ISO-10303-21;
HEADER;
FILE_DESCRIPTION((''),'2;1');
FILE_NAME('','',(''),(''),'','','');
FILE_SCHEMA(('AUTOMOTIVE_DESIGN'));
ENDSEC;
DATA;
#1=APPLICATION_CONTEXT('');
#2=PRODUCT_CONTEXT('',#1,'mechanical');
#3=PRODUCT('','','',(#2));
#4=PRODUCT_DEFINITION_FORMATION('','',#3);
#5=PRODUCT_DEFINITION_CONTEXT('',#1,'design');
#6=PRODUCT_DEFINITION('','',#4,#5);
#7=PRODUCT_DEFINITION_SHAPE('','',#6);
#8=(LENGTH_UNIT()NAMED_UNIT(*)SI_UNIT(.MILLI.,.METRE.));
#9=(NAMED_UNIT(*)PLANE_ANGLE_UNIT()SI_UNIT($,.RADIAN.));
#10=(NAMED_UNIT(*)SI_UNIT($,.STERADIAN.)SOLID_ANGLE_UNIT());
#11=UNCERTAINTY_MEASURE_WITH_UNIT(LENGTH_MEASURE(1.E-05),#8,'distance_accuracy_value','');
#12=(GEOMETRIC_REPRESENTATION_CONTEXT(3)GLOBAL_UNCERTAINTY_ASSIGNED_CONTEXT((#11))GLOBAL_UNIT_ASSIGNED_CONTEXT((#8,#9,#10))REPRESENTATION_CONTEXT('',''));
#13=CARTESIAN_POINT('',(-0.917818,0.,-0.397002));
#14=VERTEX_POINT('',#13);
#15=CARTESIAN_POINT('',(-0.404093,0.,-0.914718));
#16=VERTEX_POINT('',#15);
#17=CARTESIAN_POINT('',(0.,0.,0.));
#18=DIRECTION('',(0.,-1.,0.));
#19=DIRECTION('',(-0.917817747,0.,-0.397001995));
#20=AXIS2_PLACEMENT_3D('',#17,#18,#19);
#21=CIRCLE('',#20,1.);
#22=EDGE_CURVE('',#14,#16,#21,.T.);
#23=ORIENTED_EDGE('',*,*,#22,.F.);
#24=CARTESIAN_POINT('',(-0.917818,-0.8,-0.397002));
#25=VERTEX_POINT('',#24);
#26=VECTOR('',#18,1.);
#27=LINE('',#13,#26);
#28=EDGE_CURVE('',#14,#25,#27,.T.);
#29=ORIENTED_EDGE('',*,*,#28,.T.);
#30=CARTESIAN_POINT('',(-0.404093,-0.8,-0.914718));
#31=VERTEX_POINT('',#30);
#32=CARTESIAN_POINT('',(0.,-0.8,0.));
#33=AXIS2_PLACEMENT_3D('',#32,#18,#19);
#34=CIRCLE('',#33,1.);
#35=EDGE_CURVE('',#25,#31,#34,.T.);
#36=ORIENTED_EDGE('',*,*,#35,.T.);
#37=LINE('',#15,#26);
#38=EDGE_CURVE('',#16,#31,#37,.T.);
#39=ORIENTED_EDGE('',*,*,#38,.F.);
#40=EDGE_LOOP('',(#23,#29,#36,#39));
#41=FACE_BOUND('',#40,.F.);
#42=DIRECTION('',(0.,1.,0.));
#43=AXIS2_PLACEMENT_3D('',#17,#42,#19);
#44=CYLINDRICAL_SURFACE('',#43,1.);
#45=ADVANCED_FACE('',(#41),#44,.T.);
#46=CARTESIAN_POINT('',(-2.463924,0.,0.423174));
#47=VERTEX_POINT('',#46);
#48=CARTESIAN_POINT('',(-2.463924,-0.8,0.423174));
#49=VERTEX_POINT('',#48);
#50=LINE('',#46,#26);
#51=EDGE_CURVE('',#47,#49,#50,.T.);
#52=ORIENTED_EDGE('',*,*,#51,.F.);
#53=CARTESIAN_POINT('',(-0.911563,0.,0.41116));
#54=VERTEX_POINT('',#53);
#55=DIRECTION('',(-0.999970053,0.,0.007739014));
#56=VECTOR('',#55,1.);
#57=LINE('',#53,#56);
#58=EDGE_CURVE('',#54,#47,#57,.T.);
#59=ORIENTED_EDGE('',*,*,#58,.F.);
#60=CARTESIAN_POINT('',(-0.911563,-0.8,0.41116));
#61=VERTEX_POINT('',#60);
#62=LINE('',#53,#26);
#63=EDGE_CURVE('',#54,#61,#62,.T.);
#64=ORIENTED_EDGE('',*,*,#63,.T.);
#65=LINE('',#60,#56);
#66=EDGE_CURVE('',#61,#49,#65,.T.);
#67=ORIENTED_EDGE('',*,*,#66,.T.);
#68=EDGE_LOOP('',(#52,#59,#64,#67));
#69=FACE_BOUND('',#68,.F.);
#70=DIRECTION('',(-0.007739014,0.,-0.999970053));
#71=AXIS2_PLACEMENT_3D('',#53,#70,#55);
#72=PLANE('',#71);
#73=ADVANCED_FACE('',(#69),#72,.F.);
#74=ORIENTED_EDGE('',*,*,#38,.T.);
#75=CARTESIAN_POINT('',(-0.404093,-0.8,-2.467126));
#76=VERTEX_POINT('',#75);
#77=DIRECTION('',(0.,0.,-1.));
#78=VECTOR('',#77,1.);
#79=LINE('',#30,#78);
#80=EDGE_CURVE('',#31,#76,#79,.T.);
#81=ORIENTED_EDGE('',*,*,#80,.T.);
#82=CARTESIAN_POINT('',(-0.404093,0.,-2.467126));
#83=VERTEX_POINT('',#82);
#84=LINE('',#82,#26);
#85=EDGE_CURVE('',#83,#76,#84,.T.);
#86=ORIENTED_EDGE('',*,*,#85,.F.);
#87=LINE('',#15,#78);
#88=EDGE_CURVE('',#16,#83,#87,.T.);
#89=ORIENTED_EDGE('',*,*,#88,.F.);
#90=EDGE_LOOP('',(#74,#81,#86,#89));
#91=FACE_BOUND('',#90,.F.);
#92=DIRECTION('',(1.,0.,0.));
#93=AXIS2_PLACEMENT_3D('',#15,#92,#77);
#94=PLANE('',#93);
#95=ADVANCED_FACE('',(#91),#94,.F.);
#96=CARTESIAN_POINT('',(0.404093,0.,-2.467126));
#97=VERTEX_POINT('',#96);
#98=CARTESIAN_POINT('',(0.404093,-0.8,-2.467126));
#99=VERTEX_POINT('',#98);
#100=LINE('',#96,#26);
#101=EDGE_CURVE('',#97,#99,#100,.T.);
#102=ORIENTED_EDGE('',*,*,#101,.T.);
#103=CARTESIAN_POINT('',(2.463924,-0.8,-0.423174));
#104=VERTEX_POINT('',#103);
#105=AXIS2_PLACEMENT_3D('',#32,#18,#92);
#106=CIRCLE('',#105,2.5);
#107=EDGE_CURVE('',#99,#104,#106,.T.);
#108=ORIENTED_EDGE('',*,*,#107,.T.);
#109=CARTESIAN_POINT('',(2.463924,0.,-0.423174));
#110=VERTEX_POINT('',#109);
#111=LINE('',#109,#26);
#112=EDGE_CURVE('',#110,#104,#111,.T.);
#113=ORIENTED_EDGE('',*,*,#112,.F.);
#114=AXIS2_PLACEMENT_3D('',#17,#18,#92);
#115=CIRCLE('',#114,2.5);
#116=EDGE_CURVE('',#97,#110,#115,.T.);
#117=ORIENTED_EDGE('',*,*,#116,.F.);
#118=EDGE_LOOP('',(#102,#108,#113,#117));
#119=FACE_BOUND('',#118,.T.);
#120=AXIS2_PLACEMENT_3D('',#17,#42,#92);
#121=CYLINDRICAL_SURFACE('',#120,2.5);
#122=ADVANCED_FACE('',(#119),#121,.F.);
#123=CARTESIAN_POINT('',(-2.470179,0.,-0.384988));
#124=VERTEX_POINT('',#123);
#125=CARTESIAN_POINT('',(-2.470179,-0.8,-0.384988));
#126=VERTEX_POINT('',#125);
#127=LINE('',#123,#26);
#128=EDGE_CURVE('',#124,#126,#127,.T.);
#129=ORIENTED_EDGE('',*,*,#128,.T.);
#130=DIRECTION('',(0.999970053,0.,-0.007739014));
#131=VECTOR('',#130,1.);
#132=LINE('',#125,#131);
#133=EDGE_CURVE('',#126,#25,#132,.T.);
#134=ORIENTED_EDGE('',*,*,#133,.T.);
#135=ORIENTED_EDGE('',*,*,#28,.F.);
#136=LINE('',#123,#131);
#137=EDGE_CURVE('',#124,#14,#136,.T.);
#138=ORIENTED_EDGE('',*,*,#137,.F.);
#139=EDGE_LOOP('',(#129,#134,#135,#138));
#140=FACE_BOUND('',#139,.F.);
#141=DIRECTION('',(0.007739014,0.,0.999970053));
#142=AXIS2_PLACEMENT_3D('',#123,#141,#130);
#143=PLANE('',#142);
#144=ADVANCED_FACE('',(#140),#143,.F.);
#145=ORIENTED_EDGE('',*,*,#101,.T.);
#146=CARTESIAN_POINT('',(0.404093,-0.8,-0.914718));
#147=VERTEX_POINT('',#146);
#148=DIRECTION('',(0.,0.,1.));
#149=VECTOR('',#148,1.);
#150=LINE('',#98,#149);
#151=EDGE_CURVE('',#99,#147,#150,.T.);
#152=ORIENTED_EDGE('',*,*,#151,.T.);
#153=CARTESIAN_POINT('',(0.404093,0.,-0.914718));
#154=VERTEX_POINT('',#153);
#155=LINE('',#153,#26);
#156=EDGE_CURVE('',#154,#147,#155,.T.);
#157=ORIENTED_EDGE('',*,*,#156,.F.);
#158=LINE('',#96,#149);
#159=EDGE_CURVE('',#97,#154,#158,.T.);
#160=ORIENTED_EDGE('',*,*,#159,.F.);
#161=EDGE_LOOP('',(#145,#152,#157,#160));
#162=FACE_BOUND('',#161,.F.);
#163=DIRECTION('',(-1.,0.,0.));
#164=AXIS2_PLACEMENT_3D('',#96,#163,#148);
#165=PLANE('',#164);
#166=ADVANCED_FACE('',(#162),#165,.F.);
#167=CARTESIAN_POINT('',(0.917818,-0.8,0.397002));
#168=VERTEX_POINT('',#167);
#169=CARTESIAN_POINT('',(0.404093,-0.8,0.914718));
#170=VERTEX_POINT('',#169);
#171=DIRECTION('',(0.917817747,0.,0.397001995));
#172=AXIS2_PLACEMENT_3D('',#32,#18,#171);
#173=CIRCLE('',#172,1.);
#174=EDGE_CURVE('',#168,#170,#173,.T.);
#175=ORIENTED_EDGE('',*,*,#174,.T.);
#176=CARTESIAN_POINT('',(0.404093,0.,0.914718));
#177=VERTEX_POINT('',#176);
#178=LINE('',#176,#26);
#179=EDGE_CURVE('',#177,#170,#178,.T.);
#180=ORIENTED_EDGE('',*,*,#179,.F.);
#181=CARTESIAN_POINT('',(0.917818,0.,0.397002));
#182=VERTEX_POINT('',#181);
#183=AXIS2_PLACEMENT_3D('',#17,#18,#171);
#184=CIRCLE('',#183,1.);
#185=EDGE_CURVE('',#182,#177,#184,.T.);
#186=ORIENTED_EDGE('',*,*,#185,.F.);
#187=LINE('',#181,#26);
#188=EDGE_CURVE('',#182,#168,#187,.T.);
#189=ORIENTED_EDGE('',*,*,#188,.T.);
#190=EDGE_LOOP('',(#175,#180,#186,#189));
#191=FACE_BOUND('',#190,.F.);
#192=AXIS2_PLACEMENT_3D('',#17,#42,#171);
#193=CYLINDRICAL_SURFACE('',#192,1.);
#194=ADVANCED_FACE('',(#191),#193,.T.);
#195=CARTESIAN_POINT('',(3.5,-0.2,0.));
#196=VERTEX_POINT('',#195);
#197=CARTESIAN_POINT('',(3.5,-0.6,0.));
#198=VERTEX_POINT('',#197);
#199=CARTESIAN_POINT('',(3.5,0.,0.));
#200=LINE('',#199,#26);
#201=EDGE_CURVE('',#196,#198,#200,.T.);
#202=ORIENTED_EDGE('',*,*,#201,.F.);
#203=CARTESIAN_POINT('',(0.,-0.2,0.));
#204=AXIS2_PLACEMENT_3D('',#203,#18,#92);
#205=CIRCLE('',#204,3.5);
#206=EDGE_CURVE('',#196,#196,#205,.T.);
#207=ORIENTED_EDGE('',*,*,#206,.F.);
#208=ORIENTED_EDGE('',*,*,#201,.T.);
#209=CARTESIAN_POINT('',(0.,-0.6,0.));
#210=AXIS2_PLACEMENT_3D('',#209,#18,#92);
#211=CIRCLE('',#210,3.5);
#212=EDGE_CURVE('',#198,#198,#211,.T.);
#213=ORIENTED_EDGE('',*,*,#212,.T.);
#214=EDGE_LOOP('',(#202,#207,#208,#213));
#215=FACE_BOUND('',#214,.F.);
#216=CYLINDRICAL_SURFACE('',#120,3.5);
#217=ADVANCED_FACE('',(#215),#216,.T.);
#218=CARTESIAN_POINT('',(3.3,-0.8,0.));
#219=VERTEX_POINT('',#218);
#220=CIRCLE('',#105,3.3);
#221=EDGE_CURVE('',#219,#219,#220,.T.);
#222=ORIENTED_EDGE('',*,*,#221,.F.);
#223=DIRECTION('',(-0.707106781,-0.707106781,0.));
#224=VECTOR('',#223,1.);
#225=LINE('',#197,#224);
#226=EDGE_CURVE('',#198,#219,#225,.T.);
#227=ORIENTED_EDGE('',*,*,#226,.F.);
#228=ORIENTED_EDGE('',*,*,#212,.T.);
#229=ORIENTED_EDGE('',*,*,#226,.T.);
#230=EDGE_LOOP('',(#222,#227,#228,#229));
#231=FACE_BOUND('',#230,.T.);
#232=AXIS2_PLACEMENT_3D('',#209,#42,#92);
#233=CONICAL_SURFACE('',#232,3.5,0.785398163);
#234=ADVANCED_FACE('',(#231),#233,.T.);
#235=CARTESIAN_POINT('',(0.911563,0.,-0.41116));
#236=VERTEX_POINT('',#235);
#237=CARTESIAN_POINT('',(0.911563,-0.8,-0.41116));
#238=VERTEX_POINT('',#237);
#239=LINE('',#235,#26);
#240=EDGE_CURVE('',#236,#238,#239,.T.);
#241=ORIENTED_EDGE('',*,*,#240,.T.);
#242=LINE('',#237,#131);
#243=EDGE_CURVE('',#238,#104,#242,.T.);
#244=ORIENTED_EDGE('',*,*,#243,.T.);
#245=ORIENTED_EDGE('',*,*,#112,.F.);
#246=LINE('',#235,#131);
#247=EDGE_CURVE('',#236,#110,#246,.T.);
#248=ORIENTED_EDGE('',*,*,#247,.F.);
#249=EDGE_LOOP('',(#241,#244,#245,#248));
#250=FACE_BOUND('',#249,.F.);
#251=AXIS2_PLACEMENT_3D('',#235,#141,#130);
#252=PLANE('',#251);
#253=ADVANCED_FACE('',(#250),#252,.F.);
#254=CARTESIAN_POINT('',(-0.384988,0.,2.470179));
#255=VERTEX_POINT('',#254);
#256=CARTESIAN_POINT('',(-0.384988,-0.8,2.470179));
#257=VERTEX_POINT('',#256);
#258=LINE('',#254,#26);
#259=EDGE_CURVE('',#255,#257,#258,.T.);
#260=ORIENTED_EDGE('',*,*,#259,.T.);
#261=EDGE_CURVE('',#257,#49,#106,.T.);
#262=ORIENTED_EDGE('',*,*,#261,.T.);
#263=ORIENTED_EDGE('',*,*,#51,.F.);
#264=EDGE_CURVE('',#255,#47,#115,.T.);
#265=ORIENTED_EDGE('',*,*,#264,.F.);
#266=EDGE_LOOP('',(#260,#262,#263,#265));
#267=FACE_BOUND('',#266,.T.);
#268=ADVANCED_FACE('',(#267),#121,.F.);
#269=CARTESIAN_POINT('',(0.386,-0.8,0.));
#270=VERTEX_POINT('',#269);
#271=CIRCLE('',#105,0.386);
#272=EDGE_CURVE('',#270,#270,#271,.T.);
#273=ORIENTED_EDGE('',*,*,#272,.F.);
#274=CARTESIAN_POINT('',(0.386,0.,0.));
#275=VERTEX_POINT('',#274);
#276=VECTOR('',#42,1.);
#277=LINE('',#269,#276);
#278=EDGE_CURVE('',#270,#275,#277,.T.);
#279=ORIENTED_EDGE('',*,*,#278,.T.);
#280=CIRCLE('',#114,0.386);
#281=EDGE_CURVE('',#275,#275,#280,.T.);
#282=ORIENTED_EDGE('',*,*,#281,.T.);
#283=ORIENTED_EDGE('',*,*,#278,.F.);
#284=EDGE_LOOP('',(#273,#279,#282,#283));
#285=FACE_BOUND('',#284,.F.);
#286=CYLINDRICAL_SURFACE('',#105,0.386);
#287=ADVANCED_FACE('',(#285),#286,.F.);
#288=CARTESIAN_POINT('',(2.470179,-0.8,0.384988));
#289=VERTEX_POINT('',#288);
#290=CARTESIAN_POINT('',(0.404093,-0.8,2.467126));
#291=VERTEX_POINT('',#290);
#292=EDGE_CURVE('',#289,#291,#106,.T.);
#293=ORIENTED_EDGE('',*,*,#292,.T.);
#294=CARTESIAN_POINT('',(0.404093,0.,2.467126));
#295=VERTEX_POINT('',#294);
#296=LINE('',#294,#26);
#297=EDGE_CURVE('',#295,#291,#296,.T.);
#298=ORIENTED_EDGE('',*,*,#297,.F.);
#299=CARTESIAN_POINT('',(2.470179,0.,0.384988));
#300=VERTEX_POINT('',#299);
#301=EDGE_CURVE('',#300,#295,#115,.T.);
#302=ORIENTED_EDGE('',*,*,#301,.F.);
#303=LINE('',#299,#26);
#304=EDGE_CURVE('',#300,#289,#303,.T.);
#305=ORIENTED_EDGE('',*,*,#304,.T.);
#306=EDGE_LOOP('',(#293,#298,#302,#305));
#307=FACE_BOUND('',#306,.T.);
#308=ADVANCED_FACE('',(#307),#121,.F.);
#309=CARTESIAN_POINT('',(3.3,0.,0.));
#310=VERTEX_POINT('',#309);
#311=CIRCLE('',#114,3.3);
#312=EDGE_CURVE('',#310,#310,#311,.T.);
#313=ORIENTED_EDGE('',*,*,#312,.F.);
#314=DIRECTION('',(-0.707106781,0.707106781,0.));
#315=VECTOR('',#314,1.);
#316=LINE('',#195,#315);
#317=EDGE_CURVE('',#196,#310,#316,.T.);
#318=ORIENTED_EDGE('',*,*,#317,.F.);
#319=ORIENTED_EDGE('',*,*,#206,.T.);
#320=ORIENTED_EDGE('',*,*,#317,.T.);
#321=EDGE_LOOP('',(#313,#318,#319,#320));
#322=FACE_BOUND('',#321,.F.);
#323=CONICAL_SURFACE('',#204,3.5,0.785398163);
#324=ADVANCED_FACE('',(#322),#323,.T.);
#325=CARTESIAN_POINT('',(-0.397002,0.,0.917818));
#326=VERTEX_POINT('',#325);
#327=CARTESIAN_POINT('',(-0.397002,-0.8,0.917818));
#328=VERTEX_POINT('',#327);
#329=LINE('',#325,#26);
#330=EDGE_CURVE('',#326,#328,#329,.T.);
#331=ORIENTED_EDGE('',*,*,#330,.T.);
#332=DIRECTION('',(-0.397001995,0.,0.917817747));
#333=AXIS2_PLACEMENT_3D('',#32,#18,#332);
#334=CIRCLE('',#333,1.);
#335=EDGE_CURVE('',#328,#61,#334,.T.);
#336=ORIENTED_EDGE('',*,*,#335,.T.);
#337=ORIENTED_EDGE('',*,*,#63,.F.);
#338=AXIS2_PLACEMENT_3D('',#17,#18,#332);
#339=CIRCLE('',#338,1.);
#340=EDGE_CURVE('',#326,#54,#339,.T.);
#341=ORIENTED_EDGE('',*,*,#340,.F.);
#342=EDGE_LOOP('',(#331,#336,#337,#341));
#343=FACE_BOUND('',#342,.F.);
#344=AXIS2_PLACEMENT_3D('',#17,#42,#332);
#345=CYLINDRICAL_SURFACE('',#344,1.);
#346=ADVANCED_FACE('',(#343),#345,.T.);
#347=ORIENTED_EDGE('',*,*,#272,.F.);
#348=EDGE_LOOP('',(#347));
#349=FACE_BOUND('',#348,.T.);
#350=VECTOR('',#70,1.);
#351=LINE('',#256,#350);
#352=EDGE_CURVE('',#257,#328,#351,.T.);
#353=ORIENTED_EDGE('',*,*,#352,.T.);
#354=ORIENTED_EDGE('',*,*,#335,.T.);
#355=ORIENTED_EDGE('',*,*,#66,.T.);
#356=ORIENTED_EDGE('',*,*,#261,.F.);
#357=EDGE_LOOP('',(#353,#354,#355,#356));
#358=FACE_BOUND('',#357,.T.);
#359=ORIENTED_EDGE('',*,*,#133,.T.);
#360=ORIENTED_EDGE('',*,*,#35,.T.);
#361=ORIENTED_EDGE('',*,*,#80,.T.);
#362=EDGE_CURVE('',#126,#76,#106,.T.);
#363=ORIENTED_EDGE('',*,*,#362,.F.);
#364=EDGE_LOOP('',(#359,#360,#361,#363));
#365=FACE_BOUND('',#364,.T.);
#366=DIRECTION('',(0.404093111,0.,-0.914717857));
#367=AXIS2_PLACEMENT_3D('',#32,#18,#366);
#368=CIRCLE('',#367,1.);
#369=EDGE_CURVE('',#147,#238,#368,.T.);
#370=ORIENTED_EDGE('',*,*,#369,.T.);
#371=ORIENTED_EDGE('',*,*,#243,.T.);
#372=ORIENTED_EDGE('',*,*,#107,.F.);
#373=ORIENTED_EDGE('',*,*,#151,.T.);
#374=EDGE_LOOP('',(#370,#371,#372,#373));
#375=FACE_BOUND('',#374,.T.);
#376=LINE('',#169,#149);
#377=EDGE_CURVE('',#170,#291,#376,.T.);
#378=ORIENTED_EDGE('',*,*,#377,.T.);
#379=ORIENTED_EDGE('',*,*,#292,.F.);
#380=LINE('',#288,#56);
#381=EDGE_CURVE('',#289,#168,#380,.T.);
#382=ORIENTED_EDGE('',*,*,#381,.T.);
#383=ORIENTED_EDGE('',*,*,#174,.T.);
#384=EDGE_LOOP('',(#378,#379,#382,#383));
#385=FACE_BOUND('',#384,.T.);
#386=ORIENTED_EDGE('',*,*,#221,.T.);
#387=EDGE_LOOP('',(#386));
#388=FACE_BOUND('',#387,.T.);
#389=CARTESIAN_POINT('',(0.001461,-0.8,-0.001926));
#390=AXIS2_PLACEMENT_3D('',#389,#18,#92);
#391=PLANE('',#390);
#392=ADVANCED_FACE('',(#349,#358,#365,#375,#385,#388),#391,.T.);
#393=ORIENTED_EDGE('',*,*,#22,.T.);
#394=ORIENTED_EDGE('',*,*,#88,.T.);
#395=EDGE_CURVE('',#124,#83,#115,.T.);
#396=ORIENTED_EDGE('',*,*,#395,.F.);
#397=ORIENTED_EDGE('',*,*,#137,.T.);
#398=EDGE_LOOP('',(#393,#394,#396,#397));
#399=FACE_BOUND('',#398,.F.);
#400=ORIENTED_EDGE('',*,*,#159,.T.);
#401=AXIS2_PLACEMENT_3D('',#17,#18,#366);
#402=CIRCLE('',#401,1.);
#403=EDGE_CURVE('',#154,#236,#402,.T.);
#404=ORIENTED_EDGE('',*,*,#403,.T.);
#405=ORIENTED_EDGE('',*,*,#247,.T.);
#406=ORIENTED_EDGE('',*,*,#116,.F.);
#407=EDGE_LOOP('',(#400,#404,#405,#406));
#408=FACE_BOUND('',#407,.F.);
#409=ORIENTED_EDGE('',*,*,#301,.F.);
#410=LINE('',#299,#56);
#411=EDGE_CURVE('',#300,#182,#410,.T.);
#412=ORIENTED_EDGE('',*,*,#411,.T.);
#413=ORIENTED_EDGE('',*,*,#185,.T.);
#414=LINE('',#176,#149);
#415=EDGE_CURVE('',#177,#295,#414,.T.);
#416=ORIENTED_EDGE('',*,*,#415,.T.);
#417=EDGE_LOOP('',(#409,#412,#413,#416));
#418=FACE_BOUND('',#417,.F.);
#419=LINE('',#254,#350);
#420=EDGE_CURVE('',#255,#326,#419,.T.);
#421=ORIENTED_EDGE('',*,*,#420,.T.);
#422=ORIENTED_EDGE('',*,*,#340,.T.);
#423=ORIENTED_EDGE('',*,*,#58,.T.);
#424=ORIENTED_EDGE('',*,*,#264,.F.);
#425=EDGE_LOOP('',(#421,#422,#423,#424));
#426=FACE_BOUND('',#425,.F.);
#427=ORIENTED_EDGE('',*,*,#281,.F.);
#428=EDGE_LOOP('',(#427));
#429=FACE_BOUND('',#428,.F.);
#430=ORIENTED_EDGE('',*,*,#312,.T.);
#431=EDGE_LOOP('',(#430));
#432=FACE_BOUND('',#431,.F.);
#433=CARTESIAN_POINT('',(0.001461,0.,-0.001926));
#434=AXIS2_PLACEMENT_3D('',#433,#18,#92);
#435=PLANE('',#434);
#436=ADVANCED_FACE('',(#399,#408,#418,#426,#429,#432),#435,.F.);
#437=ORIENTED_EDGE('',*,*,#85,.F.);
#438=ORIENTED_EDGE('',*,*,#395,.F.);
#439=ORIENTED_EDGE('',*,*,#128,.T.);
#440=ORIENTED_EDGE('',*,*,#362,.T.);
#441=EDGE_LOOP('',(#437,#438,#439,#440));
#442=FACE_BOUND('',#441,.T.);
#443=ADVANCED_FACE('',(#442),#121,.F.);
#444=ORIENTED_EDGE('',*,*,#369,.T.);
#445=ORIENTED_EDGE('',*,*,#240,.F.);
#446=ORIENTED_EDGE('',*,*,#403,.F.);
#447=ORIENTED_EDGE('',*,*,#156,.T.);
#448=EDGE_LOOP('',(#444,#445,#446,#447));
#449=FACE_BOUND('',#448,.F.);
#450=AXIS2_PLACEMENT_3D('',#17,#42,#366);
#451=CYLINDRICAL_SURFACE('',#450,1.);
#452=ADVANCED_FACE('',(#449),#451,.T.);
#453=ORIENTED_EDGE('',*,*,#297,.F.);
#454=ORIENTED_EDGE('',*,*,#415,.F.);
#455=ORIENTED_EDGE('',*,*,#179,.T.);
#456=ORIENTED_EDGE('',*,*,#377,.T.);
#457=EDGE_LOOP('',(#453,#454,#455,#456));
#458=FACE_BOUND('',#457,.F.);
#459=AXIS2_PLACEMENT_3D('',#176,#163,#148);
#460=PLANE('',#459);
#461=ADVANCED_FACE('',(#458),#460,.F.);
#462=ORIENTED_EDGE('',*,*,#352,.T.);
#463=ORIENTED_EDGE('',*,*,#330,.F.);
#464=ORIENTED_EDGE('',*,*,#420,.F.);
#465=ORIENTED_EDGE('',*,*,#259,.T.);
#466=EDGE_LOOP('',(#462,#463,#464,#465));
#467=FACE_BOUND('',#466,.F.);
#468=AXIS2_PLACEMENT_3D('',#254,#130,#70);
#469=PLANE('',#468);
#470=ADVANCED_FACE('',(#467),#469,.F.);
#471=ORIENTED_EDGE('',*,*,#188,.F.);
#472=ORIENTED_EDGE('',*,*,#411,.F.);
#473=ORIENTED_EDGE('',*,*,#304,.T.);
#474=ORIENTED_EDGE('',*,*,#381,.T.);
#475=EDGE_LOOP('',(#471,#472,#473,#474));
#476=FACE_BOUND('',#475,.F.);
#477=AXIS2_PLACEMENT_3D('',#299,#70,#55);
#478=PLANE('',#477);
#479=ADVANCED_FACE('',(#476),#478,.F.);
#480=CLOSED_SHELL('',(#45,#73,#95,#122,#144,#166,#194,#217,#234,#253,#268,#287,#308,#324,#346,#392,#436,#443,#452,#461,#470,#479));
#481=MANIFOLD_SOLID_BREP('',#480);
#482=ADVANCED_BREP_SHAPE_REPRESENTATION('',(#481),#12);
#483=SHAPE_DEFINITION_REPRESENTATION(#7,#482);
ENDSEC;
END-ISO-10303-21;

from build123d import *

# Parameters (mm, degrees)
F0_R     = 3.5
F0_R_2   = 2.5
F1_DEPTH = 0.8
F2_SIZE  = 0.2
F4_DEPTH = 0.8
F6_R     = 0.386
F7_DEPTH = 25


with BuildPart() as f1:
    # F0 (on Front) → F1 (new body)
    with BuildSketch(Plane.XZ):
        Circle(F0_R)
        Circle(F0_R_2, mode=Mode.SUBTRACT)
    extrude(amount=F1_DEPTH)

    # F2
    f2_edges = [f1.edges().sort_by_distance(p)[0] for p in [
        (3.5, -0.4, 0),
        (-3.5, 0, 0),
        (-3.5, -0.8, 0),
    ]]
    chamfer(f2_edges, length=F2_SIZE)

    # F3 (on Front) → F4 (join)
    with BuildSketch(Plane.XZ):
        with BuildLine():
            Line((0.4040931107, -2.4671256064), (0.4040931107, -0.914717857))
            ThreePointArc((0.4040931107, -0.914717857), (0.7043653121, -0.7098376625), (0.9115631819, -0.411160024))
            Line((0.9115631819, -0.411160024), (2.463924442, -0.4231741297))
            ThreePointArc((2.463924442, -0.4231741297), (2.4909647835, -0.2123545325), (2.5, 0))
            ThreePointArc((2.5, 0), (2.4925336023, 0.1930705612), (2.4701790067, 0.3849878892))
            Line((2.4701790067, 0.3849878892), (0.9178177466, 0.3970019949))
            ThreePointArc((0.9178177466, 0.3970019949), (0.7098376625, 0.7043653121), (0.4040931107, 0.914717857))
            Line((0.4040931107, 0.914717857), (0.4040931107, 2.4671256064))
            ThreePointArc((0.4040931107, 2.4671256064), (0.0096738403, 2.4999812833), (-0.3849878892, 2.4701790067))
            Line((-0.3849878892, 2.4701790067), (-0.3970019949, 0.9178177466))
            ThreePointArc((-0.3970019949, 0.9178177466), (-0.7016132963, 0.7125579152), (-0.9115631819, 0.411160024))
            Line((-0.9115631819, 0.411160024), (-2.463924442, 0.4231741297))
            ThreePointArc((-2.463924442, 0.4231741297), (-2.4999251335, 0.0193475357), (-2.4701790067, -0.3849878892))
            Line((-2.4701790067, -0.3849878892), (-0.9178177466, -0.3970019949))
            ThreePointArc((-0.9178177466, -0.3970019949), (-0.7098376625, -0.7043653121), (-0.4040931107, -0.914717857))
            Line((-0.4040931107, -0.914717857), (-0.4040931107, -2.4671256064))
            ThreePointArc((-0.4040931107, -2.4671256064), (0, -2.5), (0.4040931107, -2.4671256064))
        make_face()
    extrude(amount=F4_DEPTH)

    # F6 (on face) → F7 (cut)
    with BuildSketch(Plane.XZ.offset(0.8)):
        Circle(F6_R)
    extrude(amount=-F7_DEPTH, mode=Mode.SUBTRACT)


solid = f1.part
